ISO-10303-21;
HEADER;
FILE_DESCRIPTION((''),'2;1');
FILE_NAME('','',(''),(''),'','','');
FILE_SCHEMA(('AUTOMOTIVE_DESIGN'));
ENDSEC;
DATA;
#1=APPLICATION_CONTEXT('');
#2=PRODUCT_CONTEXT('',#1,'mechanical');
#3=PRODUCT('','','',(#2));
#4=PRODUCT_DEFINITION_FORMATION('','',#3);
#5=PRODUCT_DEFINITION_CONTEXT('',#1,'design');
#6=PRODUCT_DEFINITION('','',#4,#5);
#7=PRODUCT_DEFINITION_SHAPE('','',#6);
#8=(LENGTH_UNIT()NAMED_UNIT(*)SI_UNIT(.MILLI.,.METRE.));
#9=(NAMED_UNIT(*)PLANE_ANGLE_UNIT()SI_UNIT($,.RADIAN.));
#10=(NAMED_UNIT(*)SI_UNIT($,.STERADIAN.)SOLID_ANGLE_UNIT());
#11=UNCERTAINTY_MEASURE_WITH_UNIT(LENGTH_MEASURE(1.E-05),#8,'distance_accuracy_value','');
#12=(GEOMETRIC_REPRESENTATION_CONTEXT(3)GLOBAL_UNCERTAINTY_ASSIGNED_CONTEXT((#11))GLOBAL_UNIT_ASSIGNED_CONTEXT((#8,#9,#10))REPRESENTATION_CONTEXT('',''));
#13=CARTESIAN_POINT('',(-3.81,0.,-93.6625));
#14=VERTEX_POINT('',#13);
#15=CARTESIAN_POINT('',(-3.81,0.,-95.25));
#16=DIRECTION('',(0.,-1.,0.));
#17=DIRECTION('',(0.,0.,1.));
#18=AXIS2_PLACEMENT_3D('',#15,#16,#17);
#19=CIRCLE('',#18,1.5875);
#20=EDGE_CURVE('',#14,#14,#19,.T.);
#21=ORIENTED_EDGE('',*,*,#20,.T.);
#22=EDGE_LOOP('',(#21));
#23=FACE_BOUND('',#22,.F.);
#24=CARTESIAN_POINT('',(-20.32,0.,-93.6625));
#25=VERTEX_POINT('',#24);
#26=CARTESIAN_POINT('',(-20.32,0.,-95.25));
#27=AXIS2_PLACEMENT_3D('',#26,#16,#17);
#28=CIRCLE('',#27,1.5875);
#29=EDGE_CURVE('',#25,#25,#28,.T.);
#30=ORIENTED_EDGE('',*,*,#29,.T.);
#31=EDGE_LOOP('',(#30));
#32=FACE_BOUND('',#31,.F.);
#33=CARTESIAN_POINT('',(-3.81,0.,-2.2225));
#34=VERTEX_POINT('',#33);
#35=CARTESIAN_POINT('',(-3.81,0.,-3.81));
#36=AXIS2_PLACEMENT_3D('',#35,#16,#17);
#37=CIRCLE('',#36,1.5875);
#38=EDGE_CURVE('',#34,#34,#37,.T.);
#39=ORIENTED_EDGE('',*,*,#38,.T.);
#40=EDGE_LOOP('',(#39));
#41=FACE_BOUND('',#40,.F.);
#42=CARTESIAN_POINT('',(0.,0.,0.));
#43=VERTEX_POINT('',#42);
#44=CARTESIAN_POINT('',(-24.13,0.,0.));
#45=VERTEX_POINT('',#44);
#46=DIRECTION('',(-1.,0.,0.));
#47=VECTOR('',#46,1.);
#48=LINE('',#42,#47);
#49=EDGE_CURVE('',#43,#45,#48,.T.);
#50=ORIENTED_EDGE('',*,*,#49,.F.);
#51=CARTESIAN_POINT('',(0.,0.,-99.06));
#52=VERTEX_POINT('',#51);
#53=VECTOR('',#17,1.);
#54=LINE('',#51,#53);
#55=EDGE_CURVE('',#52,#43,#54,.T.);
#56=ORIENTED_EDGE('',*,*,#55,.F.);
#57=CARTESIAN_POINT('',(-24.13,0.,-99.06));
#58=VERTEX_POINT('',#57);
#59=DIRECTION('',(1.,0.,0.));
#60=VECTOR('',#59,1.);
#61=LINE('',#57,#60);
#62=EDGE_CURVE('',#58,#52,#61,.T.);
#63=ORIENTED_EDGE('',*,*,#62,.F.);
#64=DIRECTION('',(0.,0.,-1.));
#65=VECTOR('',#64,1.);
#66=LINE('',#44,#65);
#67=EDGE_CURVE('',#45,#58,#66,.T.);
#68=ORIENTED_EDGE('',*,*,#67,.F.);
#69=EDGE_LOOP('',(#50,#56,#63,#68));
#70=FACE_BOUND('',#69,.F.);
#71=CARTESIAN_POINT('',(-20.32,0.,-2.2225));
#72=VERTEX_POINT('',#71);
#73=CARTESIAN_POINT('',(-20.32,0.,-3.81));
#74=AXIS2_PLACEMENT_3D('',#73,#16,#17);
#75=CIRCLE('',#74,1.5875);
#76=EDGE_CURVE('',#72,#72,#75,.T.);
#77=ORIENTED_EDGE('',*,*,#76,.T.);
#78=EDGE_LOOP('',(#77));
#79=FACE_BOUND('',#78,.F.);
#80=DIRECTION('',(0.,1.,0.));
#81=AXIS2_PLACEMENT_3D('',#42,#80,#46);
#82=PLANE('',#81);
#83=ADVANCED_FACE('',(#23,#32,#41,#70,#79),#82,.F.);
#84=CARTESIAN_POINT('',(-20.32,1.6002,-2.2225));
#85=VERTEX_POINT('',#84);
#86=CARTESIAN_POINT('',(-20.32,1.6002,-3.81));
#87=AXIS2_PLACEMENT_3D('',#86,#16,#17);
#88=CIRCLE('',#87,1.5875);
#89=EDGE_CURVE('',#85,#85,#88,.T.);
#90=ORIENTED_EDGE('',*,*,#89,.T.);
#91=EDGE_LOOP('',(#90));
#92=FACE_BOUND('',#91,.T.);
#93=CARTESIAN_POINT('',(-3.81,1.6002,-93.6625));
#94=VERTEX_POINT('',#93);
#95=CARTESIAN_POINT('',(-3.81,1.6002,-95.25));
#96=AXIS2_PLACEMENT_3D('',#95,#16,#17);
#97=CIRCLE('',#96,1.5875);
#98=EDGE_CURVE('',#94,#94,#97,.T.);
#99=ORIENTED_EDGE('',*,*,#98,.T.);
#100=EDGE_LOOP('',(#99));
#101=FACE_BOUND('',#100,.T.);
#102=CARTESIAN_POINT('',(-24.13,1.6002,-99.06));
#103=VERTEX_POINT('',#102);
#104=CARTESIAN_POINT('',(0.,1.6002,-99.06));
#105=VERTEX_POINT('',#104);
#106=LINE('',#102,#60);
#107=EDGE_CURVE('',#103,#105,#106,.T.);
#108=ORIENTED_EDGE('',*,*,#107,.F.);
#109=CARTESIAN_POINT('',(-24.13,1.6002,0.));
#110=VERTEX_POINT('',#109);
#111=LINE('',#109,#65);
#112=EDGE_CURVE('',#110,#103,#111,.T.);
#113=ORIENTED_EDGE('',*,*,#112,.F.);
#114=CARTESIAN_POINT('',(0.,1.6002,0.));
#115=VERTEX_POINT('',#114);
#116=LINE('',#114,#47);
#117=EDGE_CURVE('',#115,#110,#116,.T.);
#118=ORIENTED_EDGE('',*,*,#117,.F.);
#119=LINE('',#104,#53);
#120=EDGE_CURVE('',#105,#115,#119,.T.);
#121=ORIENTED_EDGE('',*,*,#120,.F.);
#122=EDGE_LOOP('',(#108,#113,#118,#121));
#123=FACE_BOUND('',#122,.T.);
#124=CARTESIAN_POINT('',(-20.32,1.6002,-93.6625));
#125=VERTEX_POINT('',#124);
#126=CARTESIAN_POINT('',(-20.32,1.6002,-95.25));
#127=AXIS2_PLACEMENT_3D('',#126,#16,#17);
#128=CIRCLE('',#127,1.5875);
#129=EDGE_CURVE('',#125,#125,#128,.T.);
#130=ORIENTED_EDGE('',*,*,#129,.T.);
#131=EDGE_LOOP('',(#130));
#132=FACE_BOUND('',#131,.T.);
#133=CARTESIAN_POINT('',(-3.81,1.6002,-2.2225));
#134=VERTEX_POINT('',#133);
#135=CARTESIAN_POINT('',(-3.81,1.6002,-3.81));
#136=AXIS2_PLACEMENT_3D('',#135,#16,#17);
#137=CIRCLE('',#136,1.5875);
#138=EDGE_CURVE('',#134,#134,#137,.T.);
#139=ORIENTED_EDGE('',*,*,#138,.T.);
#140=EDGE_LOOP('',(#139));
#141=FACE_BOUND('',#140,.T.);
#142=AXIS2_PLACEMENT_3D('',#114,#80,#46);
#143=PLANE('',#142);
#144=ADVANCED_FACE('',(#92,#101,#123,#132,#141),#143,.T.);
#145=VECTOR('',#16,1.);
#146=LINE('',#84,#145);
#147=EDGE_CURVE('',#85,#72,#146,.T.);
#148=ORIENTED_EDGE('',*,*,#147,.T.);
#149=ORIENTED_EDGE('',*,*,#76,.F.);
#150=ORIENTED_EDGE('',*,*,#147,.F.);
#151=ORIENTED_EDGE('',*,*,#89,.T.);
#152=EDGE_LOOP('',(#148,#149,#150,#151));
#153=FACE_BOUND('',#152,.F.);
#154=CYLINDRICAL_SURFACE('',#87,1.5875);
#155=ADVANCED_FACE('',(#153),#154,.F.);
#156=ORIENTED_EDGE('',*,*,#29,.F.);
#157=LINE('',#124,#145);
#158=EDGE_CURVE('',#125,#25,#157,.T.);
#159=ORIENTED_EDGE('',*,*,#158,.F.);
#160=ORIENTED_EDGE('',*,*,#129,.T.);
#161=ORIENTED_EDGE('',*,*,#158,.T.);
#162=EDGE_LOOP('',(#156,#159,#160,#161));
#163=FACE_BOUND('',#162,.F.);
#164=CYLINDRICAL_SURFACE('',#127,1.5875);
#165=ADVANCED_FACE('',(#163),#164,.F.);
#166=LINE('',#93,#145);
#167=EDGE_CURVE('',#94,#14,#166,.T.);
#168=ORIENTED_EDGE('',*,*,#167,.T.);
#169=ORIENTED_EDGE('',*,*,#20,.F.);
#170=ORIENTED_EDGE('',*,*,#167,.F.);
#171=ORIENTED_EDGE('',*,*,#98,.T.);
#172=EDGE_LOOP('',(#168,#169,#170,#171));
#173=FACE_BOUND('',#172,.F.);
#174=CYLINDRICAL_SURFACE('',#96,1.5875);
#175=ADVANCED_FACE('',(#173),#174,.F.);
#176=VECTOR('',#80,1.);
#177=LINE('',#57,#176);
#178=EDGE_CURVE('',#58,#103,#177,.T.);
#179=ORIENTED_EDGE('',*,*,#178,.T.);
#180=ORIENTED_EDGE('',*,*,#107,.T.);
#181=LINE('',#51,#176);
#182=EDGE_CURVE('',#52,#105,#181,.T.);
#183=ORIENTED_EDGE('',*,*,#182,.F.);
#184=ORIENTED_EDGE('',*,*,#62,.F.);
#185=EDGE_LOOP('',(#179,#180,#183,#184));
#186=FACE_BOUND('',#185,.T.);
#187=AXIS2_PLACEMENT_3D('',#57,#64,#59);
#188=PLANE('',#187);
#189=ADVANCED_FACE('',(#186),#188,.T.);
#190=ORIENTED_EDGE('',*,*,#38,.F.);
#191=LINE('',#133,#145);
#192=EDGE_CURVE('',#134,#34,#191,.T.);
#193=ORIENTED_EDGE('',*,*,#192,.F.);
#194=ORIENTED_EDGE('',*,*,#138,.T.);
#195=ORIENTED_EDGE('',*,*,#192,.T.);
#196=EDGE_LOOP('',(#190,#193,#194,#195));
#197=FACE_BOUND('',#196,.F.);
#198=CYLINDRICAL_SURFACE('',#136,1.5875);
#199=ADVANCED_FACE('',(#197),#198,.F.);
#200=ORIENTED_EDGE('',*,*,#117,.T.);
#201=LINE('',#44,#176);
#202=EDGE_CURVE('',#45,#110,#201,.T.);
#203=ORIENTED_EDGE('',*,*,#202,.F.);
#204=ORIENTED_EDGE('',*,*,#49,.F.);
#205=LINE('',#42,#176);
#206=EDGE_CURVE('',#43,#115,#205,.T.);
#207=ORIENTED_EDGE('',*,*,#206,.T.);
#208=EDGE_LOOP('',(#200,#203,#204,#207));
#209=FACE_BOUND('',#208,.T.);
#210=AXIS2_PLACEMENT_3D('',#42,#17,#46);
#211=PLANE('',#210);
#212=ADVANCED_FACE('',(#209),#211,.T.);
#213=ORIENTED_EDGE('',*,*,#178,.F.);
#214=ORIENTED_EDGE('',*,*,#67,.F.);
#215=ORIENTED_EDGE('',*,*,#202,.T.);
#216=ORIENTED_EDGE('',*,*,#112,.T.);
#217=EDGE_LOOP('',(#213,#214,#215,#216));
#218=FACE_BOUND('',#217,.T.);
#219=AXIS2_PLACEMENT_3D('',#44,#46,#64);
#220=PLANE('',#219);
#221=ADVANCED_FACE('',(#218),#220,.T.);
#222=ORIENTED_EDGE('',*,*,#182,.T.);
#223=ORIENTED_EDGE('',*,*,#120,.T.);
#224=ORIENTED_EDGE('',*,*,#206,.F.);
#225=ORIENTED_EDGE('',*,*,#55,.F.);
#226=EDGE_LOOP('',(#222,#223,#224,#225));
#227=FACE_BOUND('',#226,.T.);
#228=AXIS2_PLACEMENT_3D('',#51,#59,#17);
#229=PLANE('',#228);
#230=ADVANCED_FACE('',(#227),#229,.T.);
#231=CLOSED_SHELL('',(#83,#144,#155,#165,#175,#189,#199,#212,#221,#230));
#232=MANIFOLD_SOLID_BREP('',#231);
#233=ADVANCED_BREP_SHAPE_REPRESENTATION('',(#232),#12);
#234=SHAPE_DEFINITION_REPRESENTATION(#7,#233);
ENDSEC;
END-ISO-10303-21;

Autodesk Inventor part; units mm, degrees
ref_plane "YZ Plane" through (0, 0, 0) normal (1, 0, 0) x (0, 1, 0)
ref_plane "XZ Plane" through (0, 0, 0) normal (0, 1, 0) x (-1, 0, 0)
ref_plane "XY Plane" through (0, 0, 0) normal (0, 0, 1) x (1, 0, 0)
sketch "Sketch1" plane through (0, 0, 0) normal (0, 1, 0) x (-1, 0, 0)
  line L0 (0, 0) -> (24.13, 0)
  line L1 (24.13, 0) -> (24.13, -99.06)
  line L2 (24.13, -99.06) -> (0, -99.06)
  line L3 (0, -99.06) -> (0, 0)
  dimension "d0" = 24.13
  dimension "d1" = 99.06
extrude "Extrusion1" add sketch "Sketch1" along normal blind 1.6002
sketch "Sketch2" plane through (0, 1.6002, 0) normal (0, 1, 0) x (1, 0, 0)
  line L0 (0, 0) -> (0, 99.06) construction
  line L1 (0, 0) -> (-20.32, 0) construction
  line L2 (-20.32, 0) -> (-20.32, 95.25) construction
  line L3 (-20.32, 95.25) -> (0, 95.25) construction
  line L4 (0, 95.25) -> (0, 0) construction
  line L5 (0, 95.25) -> (-3.81, 95.25) construction
  line L6 (0, 0) -> (-3.81, 0) construction
  line L7 (-3.81, 0) -> (-3.81, 3.81) construction
  line L8 (-3.81, 3.81) -> (0, 3.81) construction
  line L9 (0, 3.81) -> (0, 0) construction
  line L10 (-3.81, 3.81) -> (-20.32, 3.81) construction
  dimension "d4" = 20.32
  dimension "d5" = 95.25
  dimension "d6" = 3.81
  dimension "d7" = 3.81
  dimension "d8" = 3.81
hole "Hole1" at (-20.32, 1.6002, -3.81) at (-3.81, 1.6002, -3.81) at (-3.81, 1.6002, -95.25) at (-20.32, 1.6002, -95.25) direction (0, -1, 0) diameter 3.175 depth 25.4 tip angle 118
sketch "Sketch4" plane through (0, 1.6002, 0) normal (0, 1, 0) x (1, 0, 0)
  line L0 (-24.13, 0) -> (0, 0) projected
  line L1 (0, 99.06) -> (-24.13, 99.06) projected
  line L2 (-24.13, 0) -> (0, 0)
  line L3 (0, 0) -> (0, 99.06)
  line L4 (0, 99.06) -> (-24.13, 99.06)
  line L5 (-24.13, 99.06) -> (-24.13, 0)
  line L6 (-36.8322, -5.5807) -> (-36.8322, 103.313) construction
  line L7 (-36.8322, 103.313) -> (12.7861, 103.313) construction
  line L8 (12.7861, 103.313) -> (12.7861, -5.5807) construction
  line L9 (12.7861, -5.5807) -> (-36.8322, -5.5807) construction
decal "Decal1"
properties part number "powerDist" material "ABS Plastic"
